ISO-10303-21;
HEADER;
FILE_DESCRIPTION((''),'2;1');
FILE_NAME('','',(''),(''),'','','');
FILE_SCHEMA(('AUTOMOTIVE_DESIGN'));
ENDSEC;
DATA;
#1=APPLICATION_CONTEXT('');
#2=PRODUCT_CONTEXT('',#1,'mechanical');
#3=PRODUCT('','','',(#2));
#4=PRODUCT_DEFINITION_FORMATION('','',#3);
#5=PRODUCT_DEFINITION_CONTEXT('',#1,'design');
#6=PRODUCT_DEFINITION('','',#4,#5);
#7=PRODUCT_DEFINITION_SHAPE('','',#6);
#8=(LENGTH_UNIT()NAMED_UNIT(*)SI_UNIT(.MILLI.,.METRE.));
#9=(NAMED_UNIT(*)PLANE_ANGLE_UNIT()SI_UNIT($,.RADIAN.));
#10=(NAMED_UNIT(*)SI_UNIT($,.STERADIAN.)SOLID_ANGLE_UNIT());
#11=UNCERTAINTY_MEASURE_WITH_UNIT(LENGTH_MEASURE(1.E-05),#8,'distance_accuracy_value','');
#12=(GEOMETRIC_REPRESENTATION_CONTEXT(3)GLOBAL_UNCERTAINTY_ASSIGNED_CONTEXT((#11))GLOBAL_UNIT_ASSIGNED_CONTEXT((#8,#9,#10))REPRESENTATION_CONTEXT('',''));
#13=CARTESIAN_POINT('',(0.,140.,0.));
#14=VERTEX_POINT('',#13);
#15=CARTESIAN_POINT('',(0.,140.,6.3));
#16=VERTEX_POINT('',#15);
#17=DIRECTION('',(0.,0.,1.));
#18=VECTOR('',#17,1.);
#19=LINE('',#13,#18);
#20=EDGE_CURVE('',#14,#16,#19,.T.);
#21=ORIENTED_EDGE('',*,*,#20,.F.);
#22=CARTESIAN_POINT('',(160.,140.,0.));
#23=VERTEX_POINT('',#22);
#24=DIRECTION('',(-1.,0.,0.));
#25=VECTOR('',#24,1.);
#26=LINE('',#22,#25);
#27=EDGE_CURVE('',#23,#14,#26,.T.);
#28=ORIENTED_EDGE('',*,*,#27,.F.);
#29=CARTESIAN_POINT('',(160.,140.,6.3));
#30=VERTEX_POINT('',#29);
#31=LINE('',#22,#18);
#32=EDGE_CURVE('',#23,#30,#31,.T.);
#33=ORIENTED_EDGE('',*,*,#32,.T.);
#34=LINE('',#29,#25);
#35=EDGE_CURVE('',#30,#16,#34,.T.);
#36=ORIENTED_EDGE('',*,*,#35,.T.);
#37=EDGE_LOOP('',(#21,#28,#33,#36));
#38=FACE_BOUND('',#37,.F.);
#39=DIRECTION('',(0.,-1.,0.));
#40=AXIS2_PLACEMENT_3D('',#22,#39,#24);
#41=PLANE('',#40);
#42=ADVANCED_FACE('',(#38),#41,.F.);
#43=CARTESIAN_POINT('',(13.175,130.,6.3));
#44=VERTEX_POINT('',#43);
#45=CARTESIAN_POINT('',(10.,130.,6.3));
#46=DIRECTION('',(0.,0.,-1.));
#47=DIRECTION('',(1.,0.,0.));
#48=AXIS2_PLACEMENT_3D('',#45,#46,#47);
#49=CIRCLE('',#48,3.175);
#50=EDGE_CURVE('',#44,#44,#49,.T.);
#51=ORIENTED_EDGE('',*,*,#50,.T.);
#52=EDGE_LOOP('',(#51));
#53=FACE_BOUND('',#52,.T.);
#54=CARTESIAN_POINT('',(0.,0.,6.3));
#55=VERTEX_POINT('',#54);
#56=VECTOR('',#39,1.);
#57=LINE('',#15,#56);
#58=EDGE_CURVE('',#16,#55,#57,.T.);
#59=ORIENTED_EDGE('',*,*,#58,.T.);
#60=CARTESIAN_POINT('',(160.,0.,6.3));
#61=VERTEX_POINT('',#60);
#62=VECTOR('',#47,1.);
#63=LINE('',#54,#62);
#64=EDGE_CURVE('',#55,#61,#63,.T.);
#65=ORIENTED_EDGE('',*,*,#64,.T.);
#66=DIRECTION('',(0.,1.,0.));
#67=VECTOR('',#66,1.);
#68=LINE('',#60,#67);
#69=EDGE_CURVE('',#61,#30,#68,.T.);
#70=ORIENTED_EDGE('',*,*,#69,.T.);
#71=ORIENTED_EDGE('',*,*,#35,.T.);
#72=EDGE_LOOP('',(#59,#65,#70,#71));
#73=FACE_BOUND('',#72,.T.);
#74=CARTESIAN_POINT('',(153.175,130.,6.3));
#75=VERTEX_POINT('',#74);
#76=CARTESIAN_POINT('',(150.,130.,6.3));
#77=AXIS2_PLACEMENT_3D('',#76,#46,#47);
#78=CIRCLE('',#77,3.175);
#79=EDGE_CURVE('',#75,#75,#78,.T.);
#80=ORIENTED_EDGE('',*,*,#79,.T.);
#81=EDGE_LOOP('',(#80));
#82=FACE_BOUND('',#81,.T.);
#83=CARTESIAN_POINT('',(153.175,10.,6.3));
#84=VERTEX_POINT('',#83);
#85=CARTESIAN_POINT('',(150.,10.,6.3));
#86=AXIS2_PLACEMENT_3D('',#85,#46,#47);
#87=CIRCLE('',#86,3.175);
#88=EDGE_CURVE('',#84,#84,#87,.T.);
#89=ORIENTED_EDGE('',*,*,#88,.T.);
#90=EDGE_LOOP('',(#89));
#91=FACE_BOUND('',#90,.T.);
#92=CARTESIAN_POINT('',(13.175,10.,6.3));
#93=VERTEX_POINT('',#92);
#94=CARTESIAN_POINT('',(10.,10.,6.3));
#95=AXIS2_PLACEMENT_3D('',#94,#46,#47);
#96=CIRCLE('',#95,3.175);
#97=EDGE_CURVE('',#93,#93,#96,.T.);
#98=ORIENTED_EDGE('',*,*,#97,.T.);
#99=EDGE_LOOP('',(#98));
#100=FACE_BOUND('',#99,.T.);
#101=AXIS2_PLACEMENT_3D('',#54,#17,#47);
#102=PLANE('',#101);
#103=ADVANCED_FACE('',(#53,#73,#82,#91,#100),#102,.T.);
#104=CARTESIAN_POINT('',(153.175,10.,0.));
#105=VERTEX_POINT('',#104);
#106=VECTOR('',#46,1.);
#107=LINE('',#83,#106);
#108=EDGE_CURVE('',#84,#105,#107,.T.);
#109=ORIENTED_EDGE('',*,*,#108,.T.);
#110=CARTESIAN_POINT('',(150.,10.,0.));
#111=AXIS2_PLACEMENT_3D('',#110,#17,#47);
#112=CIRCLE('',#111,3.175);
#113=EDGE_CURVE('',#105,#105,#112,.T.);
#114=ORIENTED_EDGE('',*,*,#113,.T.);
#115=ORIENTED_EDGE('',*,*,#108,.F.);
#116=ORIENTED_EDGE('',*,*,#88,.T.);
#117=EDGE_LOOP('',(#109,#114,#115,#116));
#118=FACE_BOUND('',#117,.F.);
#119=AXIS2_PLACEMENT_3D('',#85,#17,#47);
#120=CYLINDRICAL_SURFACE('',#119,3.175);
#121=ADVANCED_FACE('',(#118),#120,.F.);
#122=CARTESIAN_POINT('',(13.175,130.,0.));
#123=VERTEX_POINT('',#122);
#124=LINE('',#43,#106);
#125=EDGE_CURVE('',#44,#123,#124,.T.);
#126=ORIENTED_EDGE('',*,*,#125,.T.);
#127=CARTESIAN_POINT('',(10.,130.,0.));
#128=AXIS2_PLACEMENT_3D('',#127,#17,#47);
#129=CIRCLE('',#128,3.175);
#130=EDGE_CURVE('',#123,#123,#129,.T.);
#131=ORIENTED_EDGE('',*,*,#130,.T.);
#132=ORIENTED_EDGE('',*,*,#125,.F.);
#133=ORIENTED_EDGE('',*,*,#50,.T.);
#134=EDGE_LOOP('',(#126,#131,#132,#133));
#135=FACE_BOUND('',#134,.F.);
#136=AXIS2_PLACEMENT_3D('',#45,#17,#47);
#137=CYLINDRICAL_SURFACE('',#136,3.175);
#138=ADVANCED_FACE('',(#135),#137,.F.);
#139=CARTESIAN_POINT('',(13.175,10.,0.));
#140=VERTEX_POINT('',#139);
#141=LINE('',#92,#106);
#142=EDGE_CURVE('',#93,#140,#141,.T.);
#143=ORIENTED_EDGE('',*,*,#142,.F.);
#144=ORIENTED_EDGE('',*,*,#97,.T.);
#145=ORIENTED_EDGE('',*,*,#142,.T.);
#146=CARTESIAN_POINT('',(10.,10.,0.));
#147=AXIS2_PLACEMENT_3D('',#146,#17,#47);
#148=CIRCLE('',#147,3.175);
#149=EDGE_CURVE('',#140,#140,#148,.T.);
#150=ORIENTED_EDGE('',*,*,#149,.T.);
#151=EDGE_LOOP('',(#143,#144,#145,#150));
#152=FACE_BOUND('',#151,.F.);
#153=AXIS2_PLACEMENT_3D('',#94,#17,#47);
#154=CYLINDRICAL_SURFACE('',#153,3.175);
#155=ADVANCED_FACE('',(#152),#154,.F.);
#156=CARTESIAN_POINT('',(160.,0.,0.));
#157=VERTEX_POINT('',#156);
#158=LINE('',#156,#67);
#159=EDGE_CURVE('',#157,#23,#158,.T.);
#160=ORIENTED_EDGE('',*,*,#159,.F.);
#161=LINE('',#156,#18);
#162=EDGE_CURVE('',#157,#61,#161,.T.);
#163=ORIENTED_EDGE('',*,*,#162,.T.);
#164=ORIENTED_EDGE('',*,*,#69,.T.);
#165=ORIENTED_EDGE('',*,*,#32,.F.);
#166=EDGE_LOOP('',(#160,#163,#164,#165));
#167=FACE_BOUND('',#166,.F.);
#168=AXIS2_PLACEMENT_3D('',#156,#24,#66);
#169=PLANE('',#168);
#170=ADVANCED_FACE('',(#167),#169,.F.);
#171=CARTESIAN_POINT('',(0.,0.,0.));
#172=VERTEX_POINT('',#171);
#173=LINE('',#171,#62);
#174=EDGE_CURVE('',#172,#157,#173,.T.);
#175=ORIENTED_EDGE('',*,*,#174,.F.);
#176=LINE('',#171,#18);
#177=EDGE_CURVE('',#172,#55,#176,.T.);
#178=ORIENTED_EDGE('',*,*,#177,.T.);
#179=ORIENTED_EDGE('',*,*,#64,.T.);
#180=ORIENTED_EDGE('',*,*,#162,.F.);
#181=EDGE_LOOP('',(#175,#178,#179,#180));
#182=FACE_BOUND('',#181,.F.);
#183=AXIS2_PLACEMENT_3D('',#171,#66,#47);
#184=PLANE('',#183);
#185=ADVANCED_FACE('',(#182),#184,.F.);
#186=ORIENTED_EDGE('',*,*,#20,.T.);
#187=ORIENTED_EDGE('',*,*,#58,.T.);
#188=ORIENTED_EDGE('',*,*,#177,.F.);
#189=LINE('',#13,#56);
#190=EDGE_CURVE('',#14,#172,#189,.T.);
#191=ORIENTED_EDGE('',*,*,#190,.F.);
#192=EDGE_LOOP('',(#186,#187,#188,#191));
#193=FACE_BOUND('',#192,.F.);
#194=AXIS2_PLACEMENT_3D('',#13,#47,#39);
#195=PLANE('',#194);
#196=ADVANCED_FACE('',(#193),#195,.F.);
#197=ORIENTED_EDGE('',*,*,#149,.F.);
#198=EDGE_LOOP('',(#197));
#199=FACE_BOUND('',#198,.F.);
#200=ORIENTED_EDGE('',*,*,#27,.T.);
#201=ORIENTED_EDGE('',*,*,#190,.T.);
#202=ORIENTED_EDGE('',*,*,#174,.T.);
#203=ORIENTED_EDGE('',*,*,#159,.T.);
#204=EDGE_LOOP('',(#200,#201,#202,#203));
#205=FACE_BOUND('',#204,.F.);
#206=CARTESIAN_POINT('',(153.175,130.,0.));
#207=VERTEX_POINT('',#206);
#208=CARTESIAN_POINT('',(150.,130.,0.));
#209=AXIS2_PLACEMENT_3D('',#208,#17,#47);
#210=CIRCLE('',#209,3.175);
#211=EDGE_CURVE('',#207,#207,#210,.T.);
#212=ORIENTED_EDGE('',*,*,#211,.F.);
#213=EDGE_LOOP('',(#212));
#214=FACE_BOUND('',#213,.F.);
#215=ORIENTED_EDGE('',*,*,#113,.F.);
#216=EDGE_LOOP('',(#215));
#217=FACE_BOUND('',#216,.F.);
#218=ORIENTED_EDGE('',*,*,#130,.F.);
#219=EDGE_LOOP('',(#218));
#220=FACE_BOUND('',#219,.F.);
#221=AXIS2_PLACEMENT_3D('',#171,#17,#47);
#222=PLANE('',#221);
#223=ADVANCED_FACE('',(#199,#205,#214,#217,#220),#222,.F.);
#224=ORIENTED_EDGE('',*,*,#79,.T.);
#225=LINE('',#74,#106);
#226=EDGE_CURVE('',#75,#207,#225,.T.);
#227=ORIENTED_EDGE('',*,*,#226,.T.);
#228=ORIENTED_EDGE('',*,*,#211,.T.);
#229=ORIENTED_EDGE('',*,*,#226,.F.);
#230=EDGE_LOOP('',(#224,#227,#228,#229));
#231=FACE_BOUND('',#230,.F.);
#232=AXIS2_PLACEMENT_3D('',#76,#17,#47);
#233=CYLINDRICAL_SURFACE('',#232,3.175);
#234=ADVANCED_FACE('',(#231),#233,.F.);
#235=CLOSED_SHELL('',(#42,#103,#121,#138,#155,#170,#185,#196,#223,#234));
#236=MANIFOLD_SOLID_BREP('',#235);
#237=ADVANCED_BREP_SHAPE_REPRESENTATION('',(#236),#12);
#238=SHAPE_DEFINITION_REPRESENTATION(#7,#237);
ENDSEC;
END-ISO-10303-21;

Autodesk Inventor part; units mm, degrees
ref_plane "YZ Plane" through (0, 0, 0) normal (1, 0, 0) x (0, 1, 0)
ref_plane "XZ Plane" through (0, 0, 0) normal (0, 1, 0) x (-1, 0, 0)
ref_plane "XY Plane" through (0, 0, 0) normal (0, 0, 1) x (1, 0, 0)
sketch "Sketch1" plane through (0, 0, 0) normal (0, 0, 1) x (1, 0, 0)
  line L0 (0, 0) -> (160, 0)
  line L1 (160, 0) -> (160, 140)
  line L2 (160, 140) -> (0, 140)
  line L3 (0, 140) -> (0, 0)
  dimension "d0" = 160
  dimension "d1" = 140
extrude "Extrusion1" add sketch "Sketch1" along normal blind 6.3
sketch "Sketch2" plane through (0, 0, 6.3) normal (0, 0, 1) x (1, 0, 0)
  line L0 (0, 0) -> (10, 0)
  line L1 (10, 0) -> (10, 10)
  line L2 (10, 10) -> (0, 10)
  line L3 (0, 10) -> (0, 0)
  line L4 (0, 140) -> (0, 0) projected
  line L5 (0, 140) -> (10, 140)
  line L6 (10, 140) -> (10, 130)
  line L7 (10, 130) -> (0, 130)
  line L8 (0, 130) -> (0, 140)
  line L9 (160, 0) -> (160, 140) projected
  line L10 (160, 140) -> (150, 140)
  line L11 (150, 140) -> (150, 130)
  line L12 (150, 130) -> (160, 130)
  line L13 (160, 130) -> (160, 140)
  line L14 (160, 0) -> (150, 0)
  line L15 (150, 0) -> (150, 10)
  line L16 (150, 10) -> (160, 10)
  line L17 (160, 10) -> (160, 0)
  line L18 (10, 10) -> (10, 10)
  line L19 (10, 10) -> (10, 10)
  line L20 (10, 10) -> (10, 10)
  line L21 (10, 10) -> (10, 10)
  circle A0 centre (10, 130) radius 3.175
  circle A1 centre (150, 130) radius 3.175
  circle A2 centre (150, 10) radius 3.175
  circle A3 centre (10, 10) radius 3.175
  dimension "d4" = 10
  dimension "d5" = 10
  dimension "d6" = 10
  dimension "d7" = 10
  dimension "d8" = 10
  dimension "d9" = 10
  dimension "d10" = 10
  dimension "d11" = 10
  dimension "d12" = 0
  dimension "d13" = 0
  dimension "d14" = 6.35
  dimension "d15" = 6.35
  dimension "d16" = 6.35
  dimension "d17" = 6.35
extrude "Extrusion2" cut sketch "Sketch2" against normal blind 10 contours A3 L2 L1 | L1 L2 A3 | A0 L6 L7 | L7 L6 A0 | A2 L15 L16 | L16 L15 A2 | A1 L11 L12 | L12 L11 A1
properties part number "8020_Base_Tx_Filter_v1" material "Polyethylene, High Density"
